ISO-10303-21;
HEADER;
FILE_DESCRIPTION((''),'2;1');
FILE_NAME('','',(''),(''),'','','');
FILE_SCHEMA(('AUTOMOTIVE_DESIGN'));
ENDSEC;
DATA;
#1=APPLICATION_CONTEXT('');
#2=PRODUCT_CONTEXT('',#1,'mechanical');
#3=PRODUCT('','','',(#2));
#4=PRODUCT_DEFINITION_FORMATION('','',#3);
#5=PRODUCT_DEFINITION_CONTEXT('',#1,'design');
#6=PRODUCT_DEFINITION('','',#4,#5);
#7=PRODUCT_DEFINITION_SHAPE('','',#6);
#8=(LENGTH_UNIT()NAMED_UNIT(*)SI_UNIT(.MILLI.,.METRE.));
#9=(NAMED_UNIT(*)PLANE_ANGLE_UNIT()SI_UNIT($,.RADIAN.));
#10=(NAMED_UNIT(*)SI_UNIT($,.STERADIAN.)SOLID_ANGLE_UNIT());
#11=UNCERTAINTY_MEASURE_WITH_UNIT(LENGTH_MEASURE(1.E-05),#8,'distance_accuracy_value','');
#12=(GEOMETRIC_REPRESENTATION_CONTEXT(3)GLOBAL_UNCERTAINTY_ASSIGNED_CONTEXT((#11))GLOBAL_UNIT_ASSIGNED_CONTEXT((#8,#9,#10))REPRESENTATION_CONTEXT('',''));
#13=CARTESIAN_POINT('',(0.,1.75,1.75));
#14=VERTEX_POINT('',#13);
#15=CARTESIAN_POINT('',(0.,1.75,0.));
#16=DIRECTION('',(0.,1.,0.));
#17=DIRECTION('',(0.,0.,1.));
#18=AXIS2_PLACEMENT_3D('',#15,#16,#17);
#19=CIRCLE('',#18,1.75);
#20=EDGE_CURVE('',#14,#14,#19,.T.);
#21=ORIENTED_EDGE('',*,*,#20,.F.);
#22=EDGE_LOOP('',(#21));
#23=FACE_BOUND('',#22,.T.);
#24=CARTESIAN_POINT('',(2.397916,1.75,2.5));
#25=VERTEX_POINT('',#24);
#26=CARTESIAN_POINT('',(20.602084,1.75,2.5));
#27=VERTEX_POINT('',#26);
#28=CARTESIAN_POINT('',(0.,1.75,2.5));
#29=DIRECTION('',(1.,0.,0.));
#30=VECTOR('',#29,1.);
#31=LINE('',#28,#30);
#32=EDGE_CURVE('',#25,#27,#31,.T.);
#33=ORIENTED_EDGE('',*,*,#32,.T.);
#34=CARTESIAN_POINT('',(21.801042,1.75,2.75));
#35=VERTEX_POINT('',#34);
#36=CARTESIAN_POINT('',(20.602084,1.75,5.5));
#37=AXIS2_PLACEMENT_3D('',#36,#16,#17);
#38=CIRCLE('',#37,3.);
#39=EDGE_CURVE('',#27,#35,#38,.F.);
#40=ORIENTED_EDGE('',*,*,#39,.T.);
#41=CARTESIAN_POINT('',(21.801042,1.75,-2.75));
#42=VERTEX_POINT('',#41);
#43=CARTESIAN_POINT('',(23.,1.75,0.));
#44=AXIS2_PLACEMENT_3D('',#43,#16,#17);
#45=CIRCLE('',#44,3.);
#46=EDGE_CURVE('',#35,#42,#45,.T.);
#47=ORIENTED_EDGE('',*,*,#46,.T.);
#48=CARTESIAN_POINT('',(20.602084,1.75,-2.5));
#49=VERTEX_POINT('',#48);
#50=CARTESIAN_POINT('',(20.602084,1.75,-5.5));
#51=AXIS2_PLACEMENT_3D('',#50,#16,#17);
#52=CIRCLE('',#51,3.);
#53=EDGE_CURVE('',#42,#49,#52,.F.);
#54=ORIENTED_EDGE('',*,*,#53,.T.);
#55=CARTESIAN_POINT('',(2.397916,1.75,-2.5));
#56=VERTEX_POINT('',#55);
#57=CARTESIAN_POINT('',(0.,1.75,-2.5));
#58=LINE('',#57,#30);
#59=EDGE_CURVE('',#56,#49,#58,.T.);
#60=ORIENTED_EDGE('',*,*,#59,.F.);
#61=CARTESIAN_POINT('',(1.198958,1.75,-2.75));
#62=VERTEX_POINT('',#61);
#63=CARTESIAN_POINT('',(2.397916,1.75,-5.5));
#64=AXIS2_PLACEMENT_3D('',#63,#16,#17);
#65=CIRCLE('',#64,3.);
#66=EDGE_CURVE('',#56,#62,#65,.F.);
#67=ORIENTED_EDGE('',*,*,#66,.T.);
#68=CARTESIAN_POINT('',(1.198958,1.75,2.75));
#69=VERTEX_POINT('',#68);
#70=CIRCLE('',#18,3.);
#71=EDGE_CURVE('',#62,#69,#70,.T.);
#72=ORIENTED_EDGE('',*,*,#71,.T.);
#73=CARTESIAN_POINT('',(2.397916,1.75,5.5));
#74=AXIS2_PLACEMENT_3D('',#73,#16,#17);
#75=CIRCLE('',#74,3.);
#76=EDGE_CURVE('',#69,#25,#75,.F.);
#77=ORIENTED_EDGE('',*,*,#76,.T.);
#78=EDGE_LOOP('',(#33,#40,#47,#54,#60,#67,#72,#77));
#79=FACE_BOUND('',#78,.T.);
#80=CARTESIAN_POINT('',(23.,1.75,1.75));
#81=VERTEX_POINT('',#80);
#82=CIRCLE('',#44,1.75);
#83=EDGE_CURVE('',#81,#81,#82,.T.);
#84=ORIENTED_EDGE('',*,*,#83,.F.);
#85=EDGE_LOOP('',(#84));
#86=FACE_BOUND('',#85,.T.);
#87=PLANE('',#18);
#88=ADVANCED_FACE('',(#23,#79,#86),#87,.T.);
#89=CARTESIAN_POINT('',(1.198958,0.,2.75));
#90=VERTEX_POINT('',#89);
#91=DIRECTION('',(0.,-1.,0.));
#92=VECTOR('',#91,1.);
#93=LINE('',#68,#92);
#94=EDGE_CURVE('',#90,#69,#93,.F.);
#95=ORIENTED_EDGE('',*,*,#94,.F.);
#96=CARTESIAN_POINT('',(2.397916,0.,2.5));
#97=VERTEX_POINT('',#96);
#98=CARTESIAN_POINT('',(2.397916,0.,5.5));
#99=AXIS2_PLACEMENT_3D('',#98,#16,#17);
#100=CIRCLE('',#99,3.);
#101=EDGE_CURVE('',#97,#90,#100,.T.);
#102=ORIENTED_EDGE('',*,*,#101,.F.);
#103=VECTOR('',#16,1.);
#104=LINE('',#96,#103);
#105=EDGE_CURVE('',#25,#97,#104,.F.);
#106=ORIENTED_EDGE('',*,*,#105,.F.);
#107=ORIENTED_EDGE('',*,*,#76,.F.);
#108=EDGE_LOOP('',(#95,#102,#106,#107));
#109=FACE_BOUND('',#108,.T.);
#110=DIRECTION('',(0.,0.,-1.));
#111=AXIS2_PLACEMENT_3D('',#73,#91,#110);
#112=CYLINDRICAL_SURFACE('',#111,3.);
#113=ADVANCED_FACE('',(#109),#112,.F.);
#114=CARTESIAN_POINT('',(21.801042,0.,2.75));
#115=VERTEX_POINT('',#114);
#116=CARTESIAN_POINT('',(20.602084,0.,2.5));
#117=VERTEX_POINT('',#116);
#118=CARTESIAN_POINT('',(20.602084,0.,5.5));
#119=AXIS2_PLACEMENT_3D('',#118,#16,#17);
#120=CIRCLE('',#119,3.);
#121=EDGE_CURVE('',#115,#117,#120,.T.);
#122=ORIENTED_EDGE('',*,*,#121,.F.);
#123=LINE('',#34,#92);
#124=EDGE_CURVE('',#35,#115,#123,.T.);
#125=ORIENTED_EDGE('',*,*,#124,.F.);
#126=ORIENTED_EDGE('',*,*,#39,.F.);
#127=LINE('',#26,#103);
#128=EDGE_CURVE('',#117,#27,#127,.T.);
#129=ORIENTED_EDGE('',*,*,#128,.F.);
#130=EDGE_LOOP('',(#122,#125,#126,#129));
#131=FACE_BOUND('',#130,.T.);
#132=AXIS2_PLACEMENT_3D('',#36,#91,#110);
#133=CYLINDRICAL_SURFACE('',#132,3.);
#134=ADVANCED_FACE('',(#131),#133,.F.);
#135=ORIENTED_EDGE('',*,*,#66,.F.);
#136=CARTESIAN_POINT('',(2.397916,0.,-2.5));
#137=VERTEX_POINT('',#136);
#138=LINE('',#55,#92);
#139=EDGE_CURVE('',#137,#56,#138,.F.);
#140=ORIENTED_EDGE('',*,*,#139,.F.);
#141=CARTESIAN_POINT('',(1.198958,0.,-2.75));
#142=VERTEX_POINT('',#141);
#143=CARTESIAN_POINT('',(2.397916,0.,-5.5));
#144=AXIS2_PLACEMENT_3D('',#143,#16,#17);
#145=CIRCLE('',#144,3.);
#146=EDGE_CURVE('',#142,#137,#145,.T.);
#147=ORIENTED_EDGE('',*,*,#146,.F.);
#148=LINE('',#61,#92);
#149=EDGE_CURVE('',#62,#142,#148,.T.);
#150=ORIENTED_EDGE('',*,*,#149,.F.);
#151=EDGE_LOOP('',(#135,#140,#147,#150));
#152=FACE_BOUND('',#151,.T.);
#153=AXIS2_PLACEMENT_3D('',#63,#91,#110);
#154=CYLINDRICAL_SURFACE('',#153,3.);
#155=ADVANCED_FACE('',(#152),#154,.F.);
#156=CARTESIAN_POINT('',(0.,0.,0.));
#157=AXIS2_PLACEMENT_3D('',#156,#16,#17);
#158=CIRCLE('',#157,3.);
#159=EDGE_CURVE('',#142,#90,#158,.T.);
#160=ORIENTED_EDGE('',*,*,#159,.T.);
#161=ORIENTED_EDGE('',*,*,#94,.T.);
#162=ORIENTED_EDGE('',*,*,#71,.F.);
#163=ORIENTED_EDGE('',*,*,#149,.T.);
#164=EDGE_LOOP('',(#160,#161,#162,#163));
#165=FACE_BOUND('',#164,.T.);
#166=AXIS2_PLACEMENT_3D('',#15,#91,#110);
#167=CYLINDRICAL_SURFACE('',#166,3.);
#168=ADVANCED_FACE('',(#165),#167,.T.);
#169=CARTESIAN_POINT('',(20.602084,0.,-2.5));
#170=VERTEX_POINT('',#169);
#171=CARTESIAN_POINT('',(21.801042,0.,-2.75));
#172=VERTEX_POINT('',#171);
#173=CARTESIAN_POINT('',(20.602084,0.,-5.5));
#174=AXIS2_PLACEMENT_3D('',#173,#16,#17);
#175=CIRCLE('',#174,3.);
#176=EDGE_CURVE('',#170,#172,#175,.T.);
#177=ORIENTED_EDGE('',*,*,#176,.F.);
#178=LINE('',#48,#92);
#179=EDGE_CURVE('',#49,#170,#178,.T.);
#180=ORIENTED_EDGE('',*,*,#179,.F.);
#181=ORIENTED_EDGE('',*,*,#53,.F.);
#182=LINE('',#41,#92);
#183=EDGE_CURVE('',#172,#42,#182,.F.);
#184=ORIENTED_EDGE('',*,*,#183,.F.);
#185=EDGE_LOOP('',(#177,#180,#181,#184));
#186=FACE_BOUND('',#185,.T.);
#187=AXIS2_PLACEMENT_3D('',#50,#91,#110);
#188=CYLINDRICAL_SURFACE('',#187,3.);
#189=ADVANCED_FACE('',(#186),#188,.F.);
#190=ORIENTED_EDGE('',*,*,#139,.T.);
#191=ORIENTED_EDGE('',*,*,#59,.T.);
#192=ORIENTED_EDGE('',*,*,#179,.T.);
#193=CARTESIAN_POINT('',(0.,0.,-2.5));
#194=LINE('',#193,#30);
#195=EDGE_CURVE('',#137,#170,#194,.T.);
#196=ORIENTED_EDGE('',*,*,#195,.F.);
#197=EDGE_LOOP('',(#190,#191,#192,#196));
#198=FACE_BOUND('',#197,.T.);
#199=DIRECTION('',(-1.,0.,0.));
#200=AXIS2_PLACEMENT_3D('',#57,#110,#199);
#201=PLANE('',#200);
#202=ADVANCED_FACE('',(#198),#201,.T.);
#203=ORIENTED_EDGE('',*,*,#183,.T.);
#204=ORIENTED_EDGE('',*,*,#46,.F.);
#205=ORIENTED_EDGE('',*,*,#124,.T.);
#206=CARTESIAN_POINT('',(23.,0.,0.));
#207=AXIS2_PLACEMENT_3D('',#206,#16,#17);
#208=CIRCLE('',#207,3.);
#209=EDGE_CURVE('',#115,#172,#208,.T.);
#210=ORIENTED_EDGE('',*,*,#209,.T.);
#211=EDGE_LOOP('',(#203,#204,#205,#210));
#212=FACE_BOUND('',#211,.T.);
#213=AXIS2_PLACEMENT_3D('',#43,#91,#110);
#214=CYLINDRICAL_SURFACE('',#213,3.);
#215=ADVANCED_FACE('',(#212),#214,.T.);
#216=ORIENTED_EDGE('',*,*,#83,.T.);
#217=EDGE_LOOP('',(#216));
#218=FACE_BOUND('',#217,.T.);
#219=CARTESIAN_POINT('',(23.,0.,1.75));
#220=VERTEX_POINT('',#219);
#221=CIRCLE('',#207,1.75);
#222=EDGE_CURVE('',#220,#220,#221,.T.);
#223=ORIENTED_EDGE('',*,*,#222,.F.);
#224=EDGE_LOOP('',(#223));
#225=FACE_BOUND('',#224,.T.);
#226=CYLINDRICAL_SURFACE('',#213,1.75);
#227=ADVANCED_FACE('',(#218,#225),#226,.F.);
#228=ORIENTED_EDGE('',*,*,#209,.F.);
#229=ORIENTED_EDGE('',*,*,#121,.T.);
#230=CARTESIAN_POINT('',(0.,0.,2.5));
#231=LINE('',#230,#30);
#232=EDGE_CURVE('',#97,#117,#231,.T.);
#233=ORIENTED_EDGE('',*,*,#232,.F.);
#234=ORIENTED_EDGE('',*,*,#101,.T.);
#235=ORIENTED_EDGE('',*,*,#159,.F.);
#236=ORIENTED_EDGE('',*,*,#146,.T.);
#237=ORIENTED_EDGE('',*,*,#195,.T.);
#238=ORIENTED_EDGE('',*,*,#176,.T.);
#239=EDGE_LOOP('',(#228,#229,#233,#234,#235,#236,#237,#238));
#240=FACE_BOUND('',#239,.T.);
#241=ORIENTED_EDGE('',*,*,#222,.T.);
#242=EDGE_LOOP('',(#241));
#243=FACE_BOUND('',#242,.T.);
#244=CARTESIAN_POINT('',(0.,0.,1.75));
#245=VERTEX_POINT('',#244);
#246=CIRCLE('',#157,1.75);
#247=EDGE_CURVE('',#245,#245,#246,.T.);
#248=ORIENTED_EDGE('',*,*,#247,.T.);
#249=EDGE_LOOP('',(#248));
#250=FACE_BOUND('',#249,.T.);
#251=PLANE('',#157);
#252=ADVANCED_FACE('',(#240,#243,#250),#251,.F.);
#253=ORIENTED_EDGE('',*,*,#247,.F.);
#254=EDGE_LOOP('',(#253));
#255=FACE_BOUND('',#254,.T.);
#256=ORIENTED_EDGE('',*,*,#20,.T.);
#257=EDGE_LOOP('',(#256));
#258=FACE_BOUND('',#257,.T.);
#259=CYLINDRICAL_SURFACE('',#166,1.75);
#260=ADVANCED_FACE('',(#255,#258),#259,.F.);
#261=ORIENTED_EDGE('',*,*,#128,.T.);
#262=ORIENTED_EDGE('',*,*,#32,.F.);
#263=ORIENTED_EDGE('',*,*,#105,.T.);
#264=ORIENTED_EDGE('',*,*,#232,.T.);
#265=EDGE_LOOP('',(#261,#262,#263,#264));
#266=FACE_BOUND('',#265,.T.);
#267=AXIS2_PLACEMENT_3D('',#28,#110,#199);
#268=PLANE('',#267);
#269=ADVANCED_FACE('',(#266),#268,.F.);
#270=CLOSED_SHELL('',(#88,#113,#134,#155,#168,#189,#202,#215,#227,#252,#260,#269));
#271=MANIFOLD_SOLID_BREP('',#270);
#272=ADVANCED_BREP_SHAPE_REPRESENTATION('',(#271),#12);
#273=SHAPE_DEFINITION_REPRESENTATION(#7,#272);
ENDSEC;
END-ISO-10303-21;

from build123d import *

# Parameters (mm, degrees)
SKETCH1_R           = 1.75
BOSS_EXTRUDE1_DEPTH = 1.75
FILLET1_R           = 3


with BuildPart() as part:
    # Sketch1 → Boss-Extrude1 (new body)
    with BuildSketch(Plane(origin=(0, 0, 0), x_dir=(1, 0, 0), z_dir=(0, 1, 0))):
        with BuildLine():
            ThreePointArc((1.658312395, 2.5), (-3, 0), (1.658312395, -2.5))
            Line((1.658312395, -2.5), (21.341687605, -2.5))
            ThreePointArc((21.341687605, -2.5), (26, 0), (21.341687605, 2.5))
            Line((21.341687605, 2.5), (1.658312395, 2.5))
        make_face()
        with Locations(Location((0, 0, 0), (0, 0, 270))):
            Circle(SKETCH1_R, mode=Mode.SUBTRACT)
        with Locations(Location((23, 0, 0), (0, 0, 270))):
            Circle(SKETCH1_R, mode=Mode.SUBTRACT)
    extrude(amount=BOSS_EXTRUDE1_DEPTH)

    # Fillet1
    fillet1_edges = [part.edges().sort_by_distance(p)[0] for p in [
        (21.341687605, 0.875, 2.5),
        (1.658312395, 0.875, 2.5),
        (1.658312395, 0.875, -2.5),
        (21.341687605, 0.875, -2.5),
    ]]
    fillet(fillet1_edges, radius=FILLET1_R)


solid = part.part
